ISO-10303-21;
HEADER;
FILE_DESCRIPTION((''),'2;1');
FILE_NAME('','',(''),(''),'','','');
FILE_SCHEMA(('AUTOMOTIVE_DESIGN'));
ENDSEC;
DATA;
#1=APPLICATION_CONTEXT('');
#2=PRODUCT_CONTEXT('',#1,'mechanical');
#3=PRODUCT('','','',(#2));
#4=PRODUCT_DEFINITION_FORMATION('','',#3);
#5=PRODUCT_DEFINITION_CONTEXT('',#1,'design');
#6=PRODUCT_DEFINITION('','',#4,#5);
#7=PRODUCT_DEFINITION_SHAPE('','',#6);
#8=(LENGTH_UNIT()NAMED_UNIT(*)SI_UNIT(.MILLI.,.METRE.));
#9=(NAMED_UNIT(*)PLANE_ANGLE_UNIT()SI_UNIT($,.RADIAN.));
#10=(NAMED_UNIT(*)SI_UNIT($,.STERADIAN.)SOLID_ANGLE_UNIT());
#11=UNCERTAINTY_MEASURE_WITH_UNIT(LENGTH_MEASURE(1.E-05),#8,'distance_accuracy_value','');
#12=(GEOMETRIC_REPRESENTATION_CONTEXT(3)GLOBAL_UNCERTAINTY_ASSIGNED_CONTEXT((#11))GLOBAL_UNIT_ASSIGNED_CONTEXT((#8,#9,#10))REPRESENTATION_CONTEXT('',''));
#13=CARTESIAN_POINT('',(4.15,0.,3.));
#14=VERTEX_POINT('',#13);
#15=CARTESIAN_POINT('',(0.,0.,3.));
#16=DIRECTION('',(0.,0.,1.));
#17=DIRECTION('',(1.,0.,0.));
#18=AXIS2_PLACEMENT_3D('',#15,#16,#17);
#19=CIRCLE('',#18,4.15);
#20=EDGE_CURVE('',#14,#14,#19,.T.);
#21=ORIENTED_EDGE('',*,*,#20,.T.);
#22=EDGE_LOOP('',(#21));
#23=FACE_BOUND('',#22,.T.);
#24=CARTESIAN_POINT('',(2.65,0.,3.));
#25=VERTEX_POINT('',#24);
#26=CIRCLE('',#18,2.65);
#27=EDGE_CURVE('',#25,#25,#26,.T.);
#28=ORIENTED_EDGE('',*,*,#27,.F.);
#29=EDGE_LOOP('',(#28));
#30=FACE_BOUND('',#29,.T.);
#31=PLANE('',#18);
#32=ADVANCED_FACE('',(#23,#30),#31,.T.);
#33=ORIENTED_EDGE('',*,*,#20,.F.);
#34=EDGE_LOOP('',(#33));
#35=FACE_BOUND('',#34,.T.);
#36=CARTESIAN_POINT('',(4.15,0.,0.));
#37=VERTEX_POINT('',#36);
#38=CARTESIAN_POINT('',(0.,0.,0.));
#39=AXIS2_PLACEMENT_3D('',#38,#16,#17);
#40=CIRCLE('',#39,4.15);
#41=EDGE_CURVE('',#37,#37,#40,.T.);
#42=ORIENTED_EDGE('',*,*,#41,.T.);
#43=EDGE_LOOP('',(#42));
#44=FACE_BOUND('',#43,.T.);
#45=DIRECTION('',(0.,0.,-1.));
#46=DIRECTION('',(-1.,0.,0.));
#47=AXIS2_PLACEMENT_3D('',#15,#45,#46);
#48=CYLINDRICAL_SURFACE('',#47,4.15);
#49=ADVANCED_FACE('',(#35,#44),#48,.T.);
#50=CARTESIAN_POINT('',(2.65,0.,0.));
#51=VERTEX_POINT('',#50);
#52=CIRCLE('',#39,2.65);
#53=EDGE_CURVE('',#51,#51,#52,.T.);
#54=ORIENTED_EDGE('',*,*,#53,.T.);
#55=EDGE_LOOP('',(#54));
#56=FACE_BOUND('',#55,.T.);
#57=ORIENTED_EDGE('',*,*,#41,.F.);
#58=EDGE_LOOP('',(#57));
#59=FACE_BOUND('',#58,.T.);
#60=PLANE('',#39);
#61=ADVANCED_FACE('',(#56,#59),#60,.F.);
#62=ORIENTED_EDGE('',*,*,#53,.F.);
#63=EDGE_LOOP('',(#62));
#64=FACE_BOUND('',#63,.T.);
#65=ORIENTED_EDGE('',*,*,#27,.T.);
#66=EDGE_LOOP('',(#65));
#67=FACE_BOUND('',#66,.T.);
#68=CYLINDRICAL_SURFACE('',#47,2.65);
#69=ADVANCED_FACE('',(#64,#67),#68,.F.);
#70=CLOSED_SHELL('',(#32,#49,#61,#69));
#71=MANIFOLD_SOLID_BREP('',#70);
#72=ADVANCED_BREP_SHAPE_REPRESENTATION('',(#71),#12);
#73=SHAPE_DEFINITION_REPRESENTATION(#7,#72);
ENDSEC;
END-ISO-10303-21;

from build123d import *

# Parameters (mm, degrees)
SKETCH1_R           = 4.15
SKETCH1_R_2         = 2.65
BOSS_EXTRUDE1_DEPTH = 3


with BuildPart() as part:
    # Sketch1 → Boss-Extrude1 (new body)
    with BuildSketch(Plane.XY):
        Circle(SKETCH1_R)
        Circle(SKETCH1_R_2, mode=Mode.SUBTRACT)
    extrude(amount=BOSS_EXTRUDE1_DEPTH)


solid = part.part
